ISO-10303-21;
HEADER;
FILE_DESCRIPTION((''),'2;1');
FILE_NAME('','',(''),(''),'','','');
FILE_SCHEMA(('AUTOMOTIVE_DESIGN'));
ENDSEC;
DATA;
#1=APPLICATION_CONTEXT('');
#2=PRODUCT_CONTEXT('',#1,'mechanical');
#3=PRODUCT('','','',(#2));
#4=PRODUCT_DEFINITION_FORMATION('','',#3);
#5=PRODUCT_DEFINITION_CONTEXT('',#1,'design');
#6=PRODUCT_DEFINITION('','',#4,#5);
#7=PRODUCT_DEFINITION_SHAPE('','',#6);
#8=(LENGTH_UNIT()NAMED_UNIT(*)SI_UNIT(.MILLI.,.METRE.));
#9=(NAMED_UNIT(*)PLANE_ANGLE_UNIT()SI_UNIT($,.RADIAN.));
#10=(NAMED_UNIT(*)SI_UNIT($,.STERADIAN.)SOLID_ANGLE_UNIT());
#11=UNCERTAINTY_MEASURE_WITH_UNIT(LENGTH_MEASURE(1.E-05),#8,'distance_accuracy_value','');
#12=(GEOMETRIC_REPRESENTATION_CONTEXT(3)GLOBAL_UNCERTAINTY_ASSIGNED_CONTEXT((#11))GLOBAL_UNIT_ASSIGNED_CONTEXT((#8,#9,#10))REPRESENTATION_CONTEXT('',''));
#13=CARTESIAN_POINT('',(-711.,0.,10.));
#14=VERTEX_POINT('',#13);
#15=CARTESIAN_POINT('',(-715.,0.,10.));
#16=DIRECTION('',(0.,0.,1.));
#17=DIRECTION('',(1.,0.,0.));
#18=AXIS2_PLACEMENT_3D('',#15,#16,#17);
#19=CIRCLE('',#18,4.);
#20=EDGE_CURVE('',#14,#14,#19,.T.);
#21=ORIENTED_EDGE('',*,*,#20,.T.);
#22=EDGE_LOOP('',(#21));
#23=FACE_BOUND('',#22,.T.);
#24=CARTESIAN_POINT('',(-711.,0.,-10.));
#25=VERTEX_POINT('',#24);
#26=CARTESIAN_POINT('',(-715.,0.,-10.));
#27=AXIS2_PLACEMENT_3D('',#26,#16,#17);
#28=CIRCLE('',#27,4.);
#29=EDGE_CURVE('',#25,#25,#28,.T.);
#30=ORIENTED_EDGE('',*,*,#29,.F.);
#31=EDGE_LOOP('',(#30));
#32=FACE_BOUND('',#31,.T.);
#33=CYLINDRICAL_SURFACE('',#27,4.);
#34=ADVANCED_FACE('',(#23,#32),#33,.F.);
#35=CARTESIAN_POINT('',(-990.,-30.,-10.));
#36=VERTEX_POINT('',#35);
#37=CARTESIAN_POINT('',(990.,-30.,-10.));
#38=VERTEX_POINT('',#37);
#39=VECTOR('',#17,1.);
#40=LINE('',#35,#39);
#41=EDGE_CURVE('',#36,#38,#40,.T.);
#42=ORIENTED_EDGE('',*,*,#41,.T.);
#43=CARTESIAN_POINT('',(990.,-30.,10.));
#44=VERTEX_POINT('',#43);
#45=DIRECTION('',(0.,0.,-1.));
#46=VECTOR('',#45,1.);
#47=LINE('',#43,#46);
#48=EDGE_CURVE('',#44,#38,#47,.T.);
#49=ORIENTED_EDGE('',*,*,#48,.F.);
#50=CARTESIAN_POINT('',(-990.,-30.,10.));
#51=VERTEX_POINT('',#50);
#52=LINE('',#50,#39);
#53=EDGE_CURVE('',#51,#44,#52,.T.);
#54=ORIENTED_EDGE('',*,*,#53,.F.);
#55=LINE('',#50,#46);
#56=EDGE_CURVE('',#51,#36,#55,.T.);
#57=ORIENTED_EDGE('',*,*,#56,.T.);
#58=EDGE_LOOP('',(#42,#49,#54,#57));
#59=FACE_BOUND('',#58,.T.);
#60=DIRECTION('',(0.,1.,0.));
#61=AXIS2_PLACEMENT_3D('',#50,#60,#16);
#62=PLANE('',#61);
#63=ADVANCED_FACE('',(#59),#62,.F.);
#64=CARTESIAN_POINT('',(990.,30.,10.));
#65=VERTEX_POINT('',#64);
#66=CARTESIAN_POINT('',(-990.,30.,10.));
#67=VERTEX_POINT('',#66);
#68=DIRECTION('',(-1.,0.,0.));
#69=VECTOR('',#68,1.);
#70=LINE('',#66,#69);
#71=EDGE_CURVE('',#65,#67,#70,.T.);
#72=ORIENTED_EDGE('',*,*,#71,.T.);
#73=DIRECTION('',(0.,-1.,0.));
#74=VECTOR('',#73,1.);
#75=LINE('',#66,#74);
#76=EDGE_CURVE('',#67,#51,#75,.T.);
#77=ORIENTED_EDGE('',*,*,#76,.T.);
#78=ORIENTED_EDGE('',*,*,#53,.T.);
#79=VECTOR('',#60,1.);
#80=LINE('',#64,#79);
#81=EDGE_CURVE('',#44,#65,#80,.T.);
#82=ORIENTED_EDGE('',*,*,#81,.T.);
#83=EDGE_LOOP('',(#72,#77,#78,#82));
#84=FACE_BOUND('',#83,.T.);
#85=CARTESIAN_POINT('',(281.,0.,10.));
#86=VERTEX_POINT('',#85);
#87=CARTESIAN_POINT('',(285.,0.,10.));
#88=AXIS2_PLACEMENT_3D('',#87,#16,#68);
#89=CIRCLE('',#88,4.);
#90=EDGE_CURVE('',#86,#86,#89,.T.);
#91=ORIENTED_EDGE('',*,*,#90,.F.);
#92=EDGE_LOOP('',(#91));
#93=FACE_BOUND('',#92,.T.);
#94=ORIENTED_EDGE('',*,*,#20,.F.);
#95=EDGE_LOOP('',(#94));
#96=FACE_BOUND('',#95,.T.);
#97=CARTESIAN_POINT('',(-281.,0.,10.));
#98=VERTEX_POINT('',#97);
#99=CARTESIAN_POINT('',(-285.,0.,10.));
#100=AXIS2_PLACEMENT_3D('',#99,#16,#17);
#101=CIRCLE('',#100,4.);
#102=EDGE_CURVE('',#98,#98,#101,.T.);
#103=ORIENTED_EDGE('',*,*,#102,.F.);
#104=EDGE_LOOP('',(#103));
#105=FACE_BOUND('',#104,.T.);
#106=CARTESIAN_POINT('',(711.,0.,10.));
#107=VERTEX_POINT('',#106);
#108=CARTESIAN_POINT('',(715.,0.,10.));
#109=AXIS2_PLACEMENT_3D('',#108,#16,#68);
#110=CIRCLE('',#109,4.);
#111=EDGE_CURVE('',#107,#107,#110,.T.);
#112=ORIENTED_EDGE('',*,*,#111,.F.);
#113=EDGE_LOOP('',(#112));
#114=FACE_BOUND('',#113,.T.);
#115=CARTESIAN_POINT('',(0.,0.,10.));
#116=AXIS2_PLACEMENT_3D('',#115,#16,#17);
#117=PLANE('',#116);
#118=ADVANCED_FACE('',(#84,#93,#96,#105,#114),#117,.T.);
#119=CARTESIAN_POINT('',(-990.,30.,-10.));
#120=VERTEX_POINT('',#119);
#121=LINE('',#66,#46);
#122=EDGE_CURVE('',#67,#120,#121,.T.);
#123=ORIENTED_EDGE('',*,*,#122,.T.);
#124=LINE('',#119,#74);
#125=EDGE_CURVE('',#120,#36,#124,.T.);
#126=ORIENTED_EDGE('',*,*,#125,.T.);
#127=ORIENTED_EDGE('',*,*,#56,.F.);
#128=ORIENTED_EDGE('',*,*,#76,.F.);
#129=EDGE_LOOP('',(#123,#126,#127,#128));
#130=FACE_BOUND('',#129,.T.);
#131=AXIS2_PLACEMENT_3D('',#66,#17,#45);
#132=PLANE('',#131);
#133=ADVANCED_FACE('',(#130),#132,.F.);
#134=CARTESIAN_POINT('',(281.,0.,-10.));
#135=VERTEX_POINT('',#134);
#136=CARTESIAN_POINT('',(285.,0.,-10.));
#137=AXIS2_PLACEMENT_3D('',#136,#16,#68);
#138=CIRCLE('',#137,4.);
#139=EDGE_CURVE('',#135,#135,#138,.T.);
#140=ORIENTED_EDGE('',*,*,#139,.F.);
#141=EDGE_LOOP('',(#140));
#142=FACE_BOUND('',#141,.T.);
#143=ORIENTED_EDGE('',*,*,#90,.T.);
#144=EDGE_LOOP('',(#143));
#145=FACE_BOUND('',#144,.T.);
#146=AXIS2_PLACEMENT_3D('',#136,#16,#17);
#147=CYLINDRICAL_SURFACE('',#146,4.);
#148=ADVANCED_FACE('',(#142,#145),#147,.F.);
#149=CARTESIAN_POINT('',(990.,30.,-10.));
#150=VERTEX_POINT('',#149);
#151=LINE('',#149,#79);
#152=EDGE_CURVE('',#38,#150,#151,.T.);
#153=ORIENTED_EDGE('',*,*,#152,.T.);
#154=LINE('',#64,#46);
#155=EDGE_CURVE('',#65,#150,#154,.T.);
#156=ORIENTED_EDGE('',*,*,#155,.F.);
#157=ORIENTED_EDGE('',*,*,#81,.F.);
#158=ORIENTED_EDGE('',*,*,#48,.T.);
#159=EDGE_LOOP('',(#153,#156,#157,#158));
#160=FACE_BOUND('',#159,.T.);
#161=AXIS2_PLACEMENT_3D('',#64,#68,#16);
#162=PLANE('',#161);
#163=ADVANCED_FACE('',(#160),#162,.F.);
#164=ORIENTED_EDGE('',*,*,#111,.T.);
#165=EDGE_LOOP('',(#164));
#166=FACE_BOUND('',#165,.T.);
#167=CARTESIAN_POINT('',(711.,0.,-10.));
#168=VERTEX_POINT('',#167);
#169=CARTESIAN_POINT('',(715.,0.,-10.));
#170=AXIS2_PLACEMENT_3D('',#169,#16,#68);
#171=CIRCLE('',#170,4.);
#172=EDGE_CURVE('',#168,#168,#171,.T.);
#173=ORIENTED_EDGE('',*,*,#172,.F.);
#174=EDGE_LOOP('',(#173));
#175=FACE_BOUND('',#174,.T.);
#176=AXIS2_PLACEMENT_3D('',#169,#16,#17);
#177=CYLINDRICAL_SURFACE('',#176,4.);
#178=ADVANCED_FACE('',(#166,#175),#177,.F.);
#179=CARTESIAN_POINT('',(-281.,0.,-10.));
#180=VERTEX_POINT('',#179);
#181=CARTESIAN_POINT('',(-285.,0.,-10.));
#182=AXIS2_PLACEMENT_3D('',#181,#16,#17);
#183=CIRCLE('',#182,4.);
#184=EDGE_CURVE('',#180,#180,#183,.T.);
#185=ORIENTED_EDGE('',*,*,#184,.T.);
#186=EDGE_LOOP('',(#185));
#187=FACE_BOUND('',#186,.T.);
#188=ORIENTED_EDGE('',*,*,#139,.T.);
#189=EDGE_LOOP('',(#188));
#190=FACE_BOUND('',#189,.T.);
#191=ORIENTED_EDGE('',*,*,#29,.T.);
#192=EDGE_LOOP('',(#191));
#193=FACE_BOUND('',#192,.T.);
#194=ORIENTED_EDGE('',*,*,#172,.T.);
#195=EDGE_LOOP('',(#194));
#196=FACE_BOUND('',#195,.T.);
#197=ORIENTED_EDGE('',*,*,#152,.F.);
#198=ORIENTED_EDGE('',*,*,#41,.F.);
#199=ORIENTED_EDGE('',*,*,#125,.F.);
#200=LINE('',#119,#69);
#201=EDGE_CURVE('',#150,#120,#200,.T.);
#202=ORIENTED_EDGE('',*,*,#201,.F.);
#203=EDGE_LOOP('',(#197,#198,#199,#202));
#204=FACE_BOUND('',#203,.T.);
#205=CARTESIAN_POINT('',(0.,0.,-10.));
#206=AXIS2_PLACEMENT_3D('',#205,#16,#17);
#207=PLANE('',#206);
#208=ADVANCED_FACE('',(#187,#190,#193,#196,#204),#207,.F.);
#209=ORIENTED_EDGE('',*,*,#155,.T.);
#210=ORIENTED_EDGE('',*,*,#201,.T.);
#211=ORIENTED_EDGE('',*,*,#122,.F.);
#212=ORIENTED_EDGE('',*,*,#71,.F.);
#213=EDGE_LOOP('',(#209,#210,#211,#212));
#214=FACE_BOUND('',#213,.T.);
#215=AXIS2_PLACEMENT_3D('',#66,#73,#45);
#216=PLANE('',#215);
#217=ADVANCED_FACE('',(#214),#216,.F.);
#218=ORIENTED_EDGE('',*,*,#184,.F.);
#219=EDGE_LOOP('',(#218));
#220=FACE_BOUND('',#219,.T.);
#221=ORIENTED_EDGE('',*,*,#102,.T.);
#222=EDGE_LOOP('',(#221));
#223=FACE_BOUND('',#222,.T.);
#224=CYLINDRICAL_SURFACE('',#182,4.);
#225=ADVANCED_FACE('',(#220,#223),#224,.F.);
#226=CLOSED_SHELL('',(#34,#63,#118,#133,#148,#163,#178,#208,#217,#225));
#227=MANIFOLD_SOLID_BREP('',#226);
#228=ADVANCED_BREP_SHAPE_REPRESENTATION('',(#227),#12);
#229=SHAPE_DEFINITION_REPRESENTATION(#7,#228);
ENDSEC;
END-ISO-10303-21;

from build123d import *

# Parameters (mm, degrees)
SKETCH_1_W               = 1980
SKETCH_1_H               = 60
EXTRUDE_1_DEPTH          = 10
CUT_EXTRUDE_1_DEPTH      = 991.504921744
CUT_EXTRUDE_1_DEPTH_BACK = 991.504921744
SKETCH_2_R               = 4


with BuildPart() as part:
    # Эскиз1 → Бобышка-Вытянуть1 (new, symmetric)
    with BuildSketch(Plane.XY):
        Rectangle(SKETCH_1_W, SKETCH_1_H)
    extrude(amount=EXTRUDE_1_DEPTH, both=True)

    # Эскиз2 → Вырез-Вытянуть1 (cut, two sides: drawn at the far end of the back side and taken through both)
    with BuildSketch(Plane.XY.offset(-CUT_EXTRUDE_1_DEPTH_BACK)):
        with Locations((-715, 0)):
            Circle(SKETCH_2_R)
        with Locations((-285, 0)):
            Circle(SKETCH_2_R)
        with Locations(Location((285, 0, 0), (0, 0, 180))):
            Circle(SKETCH_2_R)
        with Locations(Location((715, 0, 0), (0, 0, 180))):
            Circle(SKETCH_2_R)
    extrude(amount=CUT_EXTRUDE_1_DEPTH + CUT_EXTRUDE_1_DEPTH_BACK, mode=Mode.SUBTRACT)


solid = part.part
